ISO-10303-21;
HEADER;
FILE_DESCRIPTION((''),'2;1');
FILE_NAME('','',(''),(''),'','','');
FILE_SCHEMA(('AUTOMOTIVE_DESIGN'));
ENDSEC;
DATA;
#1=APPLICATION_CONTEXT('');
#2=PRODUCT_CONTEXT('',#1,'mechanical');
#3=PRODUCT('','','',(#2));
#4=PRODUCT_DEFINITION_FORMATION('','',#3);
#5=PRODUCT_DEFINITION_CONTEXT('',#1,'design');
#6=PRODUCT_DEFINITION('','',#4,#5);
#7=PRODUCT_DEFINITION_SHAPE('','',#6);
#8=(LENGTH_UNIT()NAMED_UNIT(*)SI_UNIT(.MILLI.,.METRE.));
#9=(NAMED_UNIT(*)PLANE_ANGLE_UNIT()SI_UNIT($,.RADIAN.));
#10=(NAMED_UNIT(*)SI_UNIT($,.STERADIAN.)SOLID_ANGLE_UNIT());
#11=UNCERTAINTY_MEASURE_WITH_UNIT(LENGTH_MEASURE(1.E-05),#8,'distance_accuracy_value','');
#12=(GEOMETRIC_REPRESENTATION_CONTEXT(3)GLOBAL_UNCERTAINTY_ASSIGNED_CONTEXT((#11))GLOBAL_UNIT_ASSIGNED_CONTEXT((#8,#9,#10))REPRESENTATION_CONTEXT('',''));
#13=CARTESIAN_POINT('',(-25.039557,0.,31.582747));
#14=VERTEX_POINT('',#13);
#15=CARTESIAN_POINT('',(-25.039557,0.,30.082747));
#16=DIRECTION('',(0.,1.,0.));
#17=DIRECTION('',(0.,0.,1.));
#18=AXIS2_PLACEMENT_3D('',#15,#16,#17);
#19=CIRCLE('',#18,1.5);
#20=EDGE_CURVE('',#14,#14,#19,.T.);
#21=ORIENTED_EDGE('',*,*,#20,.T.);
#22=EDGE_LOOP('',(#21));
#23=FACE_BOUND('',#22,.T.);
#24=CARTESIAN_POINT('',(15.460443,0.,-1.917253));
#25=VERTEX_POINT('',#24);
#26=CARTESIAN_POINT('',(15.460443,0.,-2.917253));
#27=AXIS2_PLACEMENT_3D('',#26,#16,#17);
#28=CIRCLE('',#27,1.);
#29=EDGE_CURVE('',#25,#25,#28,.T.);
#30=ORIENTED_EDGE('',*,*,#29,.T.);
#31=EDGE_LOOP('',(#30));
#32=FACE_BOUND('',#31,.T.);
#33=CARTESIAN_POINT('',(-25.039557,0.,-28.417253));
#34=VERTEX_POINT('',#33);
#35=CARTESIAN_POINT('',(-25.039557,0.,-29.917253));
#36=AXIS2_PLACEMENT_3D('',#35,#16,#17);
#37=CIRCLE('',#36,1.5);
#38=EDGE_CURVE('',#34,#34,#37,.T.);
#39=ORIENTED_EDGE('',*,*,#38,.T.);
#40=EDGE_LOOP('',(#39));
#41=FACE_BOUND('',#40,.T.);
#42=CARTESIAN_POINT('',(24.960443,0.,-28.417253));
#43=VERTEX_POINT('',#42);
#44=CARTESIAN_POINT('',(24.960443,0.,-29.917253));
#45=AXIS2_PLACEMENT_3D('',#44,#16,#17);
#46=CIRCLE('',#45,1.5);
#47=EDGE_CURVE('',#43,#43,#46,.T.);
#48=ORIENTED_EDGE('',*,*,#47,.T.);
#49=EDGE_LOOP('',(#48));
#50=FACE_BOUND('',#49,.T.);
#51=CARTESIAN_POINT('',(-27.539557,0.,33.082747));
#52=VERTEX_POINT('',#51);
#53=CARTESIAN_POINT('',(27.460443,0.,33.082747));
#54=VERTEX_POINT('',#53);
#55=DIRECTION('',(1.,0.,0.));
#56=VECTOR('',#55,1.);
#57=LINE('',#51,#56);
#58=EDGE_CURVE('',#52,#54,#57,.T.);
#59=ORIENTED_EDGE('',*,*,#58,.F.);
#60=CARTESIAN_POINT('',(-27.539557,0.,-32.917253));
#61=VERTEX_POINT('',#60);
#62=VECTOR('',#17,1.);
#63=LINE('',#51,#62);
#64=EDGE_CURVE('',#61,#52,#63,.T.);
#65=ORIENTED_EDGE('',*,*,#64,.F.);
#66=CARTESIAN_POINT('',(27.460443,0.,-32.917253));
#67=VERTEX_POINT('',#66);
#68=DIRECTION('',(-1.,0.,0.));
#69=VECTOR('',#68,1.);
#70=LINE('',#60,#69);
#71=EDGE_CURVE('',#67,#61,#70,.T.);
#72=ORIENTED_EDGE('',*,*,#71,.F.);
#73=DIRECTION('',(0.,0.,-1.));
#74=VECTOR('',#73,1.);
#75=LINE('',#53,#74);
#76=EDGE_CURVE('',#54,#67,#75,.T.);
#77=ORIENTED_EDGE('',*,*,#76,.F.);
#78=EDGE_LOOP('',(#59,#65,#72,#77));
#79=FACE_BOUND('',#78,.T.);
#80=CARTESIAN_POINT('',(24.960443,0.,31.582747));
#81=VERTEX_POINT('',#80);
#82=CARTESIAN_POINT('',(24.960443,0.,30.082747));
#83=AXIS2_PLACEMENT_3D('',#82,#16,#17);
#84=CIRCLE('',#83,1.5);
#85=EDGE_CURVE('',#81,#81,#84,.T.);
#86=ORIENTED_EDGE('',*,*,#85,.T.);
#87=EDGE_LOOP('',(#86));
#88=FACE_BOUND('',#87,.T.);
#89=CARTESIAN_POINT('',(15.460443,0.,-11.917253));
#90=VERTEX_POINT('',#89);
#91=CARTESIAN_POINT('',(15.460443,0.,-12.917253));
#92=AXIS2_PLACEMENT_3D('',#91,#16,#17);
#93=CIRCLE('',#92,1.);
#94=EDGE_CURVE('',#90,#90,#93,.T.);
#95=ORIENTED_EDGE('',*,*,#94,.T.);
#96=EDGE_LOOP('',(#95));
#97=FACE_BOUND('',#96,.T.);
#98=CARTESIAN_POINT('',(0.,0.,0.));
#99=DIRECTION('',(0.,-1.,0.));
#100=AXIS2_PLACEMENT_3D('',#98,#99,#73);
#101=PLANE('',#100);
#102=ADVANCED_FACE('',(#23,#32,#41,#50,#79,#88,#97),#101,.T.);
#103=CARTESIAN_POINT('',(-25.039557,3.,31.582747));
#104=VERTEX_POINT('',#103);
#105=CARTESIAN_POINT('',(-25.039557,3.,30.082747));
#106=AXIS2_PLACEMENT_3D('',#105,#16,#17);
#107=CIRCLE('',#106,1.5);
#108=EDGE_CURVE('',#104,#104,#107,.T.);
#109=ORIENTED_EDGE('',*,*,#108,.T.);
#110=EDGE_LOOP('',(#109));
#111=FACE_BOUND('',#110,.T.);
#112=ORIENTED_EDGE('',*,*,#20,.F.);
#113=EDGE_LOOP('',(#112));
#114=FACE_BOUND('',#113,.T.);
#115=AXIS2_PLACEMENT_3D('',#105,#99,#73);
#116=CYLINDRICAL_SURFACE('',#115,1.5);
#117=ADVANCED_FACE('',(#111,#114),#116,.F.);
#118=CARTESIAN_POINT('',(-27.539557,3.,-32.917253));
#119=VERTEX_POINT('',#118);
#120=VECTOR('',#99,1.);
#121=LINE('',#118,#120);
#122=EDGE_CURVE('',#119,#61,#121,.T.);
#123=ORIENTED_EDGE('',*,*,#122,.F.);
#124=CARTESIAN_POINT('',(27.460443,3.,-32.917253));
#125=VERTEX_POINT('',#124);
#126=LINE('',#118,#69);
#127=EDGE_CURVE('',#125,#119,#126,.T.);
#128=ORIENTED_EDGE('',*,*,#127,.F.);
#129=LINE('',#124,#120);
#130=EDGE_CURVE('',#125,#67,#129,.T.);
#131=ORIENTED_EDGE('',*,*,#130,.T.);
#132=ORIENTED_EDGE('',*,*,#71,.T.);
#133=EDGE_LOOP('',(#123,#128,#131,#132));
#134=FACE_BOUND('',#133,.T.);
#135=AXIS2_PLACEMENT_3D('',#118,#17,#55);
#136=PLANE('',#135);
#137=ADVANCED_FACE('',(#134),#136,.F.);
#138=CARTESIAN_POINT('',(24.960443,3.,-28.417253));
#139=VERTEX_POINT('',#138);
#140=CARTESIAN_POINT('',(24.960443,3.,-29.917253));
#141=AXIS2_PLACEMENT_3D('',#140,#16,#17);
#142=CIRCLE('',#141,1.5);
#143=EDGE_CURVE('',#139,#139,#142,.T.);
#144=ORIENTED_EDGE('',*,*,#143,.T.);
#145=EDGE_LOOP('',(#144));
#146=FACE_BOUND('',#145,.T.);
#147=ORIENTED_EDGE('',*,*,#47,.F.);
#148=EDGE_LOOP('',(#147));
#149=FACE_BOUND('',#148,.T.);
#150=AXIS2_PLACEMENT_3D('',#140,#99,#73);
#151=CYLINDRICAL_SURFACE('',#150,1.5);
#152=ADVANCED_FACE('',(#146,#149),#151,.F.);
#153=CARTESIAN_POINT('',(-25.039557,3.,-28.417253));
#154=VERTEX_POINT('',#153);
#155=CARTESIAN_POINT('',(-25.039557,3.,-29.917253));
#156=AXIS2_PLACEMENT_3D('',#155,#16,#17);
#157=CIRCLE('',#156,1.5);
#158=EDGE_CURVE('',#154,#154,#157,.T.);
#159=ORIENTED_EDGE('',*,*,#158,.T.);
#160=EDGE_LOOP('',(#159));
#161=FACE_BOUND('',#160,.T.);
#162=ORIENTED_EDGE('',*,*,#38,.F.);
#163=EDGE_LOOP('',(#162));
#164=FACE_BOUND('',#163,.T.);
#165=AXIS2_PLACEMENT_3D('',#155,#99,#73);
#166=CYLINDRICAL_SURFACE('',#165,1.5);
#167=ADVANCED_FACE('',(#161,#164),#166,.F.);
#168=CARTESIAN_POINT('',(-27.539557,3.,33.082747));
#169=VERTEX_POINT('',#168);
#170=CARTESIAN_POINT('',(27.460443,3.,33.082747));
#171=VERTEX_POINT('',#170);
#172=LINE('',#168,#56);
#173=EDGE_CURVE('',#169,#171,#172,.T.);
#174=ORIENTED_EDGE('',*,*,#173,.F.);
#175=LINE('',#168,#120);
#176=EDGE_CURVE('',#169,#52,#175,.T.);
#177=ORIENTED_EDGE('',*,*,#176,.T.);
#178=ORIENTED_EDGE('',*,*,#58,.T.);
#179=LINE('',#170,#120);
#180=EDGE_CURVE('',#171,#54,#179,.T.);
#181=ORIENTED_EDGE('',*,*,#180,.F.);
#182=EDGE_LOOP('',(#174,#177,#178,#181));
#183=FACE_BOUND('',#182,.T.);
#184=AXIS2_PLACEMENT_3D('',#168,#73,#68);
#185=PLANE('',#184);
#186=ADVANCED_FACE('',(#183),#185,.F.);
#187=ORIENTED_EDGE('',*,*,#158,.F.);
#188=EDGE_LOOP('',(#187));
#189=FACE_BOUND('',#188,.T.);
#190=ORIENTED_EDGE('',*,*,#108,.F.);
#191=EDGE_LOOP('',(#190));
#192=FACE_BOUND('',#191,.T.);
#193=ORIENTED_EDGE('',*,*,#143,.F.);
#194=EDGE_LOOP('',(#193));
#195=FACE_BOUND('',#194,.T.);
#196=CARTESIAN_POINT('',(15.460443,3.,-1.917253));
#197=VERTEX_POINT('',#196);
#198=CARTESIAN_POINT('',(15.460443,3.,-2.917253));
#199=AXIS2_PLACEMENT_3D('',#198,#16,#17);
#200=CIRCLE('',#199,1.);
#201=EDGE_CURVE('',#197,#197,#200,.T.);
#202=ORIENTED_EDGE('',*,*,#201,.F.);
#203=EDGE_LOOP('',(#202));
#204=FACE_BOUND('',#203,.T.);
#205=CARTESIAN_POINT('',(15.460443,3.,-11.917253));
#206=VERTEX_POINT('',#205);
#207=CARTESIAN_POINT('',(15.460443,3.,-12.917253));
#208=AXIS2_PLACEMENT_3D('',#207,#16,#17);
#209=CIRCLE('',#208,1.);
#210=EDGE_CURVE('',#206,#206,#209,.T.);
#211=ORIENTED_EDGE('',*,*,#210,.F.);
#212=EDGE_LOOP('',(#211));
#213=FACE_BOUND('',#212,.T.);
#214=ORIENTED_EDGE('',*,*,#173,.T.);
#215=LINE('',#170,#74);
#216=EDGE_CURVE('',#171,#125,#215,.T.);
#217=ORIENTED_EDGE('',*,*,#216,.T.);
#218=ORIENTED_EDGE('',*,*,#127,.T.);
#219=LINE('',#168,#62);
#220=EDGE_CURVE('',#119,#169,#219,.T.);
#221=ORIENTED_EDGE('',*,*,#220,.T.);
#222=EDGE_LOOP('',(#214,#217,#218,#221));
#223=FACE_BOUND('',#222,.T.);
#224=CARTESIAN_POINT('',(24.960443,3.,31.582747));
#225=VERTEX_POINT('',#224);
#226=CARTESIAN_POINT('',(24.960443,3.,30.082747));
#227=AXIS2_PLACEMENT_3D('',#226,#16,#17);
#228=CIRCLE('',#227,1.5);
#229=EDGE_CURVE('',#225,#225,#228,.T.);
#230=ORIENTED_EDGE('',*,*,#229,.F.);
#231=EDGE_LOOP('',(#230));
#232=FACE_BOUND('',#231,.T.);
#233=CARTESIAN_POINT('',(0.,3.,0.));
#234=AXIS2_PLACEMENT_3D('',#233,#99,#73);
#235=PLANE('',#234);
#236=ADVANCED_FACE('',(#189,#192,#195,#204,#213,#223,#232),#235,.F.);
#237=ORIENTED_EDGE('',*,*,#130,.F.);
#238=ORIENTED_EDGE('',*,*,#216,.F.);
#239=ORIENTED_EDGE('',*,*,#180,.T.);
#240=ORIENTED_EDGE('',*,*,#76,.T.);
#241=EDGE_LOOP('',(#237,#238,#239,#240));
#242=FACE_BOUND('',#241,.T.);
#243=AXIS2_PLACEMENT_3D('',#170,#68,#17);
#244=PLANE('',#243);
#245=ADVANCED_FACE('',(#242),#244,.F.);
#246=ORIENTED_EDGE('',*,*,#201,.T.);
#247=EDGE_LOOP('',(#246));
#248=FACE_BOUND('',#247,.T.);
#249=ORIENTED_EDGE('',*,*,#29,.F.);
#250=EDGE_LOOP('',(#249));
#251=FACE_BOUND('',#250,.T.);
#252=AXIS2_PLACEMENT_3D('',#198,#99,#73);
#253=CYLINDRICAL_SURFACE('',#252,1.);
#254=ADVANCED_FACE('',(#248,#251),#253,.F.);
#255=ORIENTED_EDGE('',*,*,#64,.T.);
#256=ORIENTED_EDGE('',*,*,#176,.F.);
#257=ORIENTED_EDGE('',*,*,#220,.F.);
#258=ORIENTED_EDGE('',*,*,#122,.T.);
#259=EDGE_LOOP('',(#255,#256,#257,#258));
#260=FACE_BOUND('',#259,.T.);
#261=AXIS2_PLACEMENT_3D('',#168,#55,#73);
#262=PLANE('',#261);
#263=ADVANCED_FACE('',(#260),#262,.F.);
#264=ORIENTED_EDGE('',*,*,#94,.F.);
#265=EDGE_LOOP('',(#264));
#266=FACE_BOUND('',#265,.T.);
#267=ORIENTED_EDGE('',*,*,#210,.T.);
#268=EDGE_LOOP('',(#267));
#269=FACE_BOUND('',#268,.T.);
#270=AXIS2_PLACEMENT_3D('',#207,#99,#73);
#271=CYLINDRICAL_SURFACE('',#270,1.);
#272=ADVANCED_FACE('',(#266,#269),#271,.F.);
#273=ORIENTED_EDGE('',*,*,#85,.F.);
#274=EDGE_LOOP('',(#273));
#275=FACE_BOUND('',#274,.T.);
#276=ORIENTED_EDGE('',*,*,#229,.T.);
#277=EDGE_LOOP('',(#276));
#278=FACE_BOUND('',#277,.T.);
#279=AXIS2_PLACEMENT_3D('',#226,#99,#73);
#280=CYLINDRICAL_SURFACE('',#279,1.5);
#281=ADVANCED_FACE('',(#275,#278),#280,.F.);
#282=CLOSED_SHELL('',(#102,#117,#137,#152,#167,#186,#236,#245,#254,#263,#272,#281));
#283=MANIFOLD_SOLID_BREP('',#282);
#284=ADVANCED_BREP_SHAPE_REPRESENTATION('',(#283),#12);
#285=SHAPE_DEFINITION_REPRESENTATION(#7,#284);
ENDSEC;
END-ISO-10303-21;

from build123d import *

# Parameters (mm, degrees)
ESQUISSE1_W        = 55
ESQUISSE1_H        = 66
ESQUISSE1_R        = 1.5
ESQUISSE1_R_2      = 1
BOSS_EXTRU_1_DEPTH = 3


with BuildPart() as part:
    # Esquisse1 → Boss.-Extru.1 (new body)
    with BuildSketch(Plane(origin=(0, 0, 0), x_dir=(1, 0, 0), z_dir=(0, 1, 0))):
        with Locations((-0.039557044, -0.082747187)):
            Rectangle(ESQUISSE1_W, ESQUISSE1_H)
        with Locations(Location((-25.039557044, 29.917252813, 0), (0, 0, 270))):
            Circle(ESQUISSE1_R, mode=Mode.SUBTRACT)
        with Locations(Location((24.960442956, 29.917252813, 0), (0, 0, 270))):
            Circle(ESQUISSE1_R, mode=Mode.SUBTRACT)
        with Locations(Location((24.960442956, -30.082747187, 0), (0, 0, 270))):
            Circle(ESQUISSE1_R, mode=Mode.SUBTRACT)
        with Locations(Location((-25.039557044, -30.082747187, 0), (0, 0, 270))):
            Circle(ESQUISSE1_R, mode=Mode.SUBTRACT)
        with Locations(Location((15.460442956, 12.917252813, 0), (0, 0, 270))):
            Circle(ESQUISSE1_R_2, mode=Mode.SUBTRACT)
        with Locations(Location((15.460442956, 2.917252813, 0), (0, 0, 270))):
            Circle(ESQUISSE1_R_2, mode=Mode.SUBTRACT)
    extrude(amount=BOSS_EXTRU_1_DEPTH)


solid = part.part
